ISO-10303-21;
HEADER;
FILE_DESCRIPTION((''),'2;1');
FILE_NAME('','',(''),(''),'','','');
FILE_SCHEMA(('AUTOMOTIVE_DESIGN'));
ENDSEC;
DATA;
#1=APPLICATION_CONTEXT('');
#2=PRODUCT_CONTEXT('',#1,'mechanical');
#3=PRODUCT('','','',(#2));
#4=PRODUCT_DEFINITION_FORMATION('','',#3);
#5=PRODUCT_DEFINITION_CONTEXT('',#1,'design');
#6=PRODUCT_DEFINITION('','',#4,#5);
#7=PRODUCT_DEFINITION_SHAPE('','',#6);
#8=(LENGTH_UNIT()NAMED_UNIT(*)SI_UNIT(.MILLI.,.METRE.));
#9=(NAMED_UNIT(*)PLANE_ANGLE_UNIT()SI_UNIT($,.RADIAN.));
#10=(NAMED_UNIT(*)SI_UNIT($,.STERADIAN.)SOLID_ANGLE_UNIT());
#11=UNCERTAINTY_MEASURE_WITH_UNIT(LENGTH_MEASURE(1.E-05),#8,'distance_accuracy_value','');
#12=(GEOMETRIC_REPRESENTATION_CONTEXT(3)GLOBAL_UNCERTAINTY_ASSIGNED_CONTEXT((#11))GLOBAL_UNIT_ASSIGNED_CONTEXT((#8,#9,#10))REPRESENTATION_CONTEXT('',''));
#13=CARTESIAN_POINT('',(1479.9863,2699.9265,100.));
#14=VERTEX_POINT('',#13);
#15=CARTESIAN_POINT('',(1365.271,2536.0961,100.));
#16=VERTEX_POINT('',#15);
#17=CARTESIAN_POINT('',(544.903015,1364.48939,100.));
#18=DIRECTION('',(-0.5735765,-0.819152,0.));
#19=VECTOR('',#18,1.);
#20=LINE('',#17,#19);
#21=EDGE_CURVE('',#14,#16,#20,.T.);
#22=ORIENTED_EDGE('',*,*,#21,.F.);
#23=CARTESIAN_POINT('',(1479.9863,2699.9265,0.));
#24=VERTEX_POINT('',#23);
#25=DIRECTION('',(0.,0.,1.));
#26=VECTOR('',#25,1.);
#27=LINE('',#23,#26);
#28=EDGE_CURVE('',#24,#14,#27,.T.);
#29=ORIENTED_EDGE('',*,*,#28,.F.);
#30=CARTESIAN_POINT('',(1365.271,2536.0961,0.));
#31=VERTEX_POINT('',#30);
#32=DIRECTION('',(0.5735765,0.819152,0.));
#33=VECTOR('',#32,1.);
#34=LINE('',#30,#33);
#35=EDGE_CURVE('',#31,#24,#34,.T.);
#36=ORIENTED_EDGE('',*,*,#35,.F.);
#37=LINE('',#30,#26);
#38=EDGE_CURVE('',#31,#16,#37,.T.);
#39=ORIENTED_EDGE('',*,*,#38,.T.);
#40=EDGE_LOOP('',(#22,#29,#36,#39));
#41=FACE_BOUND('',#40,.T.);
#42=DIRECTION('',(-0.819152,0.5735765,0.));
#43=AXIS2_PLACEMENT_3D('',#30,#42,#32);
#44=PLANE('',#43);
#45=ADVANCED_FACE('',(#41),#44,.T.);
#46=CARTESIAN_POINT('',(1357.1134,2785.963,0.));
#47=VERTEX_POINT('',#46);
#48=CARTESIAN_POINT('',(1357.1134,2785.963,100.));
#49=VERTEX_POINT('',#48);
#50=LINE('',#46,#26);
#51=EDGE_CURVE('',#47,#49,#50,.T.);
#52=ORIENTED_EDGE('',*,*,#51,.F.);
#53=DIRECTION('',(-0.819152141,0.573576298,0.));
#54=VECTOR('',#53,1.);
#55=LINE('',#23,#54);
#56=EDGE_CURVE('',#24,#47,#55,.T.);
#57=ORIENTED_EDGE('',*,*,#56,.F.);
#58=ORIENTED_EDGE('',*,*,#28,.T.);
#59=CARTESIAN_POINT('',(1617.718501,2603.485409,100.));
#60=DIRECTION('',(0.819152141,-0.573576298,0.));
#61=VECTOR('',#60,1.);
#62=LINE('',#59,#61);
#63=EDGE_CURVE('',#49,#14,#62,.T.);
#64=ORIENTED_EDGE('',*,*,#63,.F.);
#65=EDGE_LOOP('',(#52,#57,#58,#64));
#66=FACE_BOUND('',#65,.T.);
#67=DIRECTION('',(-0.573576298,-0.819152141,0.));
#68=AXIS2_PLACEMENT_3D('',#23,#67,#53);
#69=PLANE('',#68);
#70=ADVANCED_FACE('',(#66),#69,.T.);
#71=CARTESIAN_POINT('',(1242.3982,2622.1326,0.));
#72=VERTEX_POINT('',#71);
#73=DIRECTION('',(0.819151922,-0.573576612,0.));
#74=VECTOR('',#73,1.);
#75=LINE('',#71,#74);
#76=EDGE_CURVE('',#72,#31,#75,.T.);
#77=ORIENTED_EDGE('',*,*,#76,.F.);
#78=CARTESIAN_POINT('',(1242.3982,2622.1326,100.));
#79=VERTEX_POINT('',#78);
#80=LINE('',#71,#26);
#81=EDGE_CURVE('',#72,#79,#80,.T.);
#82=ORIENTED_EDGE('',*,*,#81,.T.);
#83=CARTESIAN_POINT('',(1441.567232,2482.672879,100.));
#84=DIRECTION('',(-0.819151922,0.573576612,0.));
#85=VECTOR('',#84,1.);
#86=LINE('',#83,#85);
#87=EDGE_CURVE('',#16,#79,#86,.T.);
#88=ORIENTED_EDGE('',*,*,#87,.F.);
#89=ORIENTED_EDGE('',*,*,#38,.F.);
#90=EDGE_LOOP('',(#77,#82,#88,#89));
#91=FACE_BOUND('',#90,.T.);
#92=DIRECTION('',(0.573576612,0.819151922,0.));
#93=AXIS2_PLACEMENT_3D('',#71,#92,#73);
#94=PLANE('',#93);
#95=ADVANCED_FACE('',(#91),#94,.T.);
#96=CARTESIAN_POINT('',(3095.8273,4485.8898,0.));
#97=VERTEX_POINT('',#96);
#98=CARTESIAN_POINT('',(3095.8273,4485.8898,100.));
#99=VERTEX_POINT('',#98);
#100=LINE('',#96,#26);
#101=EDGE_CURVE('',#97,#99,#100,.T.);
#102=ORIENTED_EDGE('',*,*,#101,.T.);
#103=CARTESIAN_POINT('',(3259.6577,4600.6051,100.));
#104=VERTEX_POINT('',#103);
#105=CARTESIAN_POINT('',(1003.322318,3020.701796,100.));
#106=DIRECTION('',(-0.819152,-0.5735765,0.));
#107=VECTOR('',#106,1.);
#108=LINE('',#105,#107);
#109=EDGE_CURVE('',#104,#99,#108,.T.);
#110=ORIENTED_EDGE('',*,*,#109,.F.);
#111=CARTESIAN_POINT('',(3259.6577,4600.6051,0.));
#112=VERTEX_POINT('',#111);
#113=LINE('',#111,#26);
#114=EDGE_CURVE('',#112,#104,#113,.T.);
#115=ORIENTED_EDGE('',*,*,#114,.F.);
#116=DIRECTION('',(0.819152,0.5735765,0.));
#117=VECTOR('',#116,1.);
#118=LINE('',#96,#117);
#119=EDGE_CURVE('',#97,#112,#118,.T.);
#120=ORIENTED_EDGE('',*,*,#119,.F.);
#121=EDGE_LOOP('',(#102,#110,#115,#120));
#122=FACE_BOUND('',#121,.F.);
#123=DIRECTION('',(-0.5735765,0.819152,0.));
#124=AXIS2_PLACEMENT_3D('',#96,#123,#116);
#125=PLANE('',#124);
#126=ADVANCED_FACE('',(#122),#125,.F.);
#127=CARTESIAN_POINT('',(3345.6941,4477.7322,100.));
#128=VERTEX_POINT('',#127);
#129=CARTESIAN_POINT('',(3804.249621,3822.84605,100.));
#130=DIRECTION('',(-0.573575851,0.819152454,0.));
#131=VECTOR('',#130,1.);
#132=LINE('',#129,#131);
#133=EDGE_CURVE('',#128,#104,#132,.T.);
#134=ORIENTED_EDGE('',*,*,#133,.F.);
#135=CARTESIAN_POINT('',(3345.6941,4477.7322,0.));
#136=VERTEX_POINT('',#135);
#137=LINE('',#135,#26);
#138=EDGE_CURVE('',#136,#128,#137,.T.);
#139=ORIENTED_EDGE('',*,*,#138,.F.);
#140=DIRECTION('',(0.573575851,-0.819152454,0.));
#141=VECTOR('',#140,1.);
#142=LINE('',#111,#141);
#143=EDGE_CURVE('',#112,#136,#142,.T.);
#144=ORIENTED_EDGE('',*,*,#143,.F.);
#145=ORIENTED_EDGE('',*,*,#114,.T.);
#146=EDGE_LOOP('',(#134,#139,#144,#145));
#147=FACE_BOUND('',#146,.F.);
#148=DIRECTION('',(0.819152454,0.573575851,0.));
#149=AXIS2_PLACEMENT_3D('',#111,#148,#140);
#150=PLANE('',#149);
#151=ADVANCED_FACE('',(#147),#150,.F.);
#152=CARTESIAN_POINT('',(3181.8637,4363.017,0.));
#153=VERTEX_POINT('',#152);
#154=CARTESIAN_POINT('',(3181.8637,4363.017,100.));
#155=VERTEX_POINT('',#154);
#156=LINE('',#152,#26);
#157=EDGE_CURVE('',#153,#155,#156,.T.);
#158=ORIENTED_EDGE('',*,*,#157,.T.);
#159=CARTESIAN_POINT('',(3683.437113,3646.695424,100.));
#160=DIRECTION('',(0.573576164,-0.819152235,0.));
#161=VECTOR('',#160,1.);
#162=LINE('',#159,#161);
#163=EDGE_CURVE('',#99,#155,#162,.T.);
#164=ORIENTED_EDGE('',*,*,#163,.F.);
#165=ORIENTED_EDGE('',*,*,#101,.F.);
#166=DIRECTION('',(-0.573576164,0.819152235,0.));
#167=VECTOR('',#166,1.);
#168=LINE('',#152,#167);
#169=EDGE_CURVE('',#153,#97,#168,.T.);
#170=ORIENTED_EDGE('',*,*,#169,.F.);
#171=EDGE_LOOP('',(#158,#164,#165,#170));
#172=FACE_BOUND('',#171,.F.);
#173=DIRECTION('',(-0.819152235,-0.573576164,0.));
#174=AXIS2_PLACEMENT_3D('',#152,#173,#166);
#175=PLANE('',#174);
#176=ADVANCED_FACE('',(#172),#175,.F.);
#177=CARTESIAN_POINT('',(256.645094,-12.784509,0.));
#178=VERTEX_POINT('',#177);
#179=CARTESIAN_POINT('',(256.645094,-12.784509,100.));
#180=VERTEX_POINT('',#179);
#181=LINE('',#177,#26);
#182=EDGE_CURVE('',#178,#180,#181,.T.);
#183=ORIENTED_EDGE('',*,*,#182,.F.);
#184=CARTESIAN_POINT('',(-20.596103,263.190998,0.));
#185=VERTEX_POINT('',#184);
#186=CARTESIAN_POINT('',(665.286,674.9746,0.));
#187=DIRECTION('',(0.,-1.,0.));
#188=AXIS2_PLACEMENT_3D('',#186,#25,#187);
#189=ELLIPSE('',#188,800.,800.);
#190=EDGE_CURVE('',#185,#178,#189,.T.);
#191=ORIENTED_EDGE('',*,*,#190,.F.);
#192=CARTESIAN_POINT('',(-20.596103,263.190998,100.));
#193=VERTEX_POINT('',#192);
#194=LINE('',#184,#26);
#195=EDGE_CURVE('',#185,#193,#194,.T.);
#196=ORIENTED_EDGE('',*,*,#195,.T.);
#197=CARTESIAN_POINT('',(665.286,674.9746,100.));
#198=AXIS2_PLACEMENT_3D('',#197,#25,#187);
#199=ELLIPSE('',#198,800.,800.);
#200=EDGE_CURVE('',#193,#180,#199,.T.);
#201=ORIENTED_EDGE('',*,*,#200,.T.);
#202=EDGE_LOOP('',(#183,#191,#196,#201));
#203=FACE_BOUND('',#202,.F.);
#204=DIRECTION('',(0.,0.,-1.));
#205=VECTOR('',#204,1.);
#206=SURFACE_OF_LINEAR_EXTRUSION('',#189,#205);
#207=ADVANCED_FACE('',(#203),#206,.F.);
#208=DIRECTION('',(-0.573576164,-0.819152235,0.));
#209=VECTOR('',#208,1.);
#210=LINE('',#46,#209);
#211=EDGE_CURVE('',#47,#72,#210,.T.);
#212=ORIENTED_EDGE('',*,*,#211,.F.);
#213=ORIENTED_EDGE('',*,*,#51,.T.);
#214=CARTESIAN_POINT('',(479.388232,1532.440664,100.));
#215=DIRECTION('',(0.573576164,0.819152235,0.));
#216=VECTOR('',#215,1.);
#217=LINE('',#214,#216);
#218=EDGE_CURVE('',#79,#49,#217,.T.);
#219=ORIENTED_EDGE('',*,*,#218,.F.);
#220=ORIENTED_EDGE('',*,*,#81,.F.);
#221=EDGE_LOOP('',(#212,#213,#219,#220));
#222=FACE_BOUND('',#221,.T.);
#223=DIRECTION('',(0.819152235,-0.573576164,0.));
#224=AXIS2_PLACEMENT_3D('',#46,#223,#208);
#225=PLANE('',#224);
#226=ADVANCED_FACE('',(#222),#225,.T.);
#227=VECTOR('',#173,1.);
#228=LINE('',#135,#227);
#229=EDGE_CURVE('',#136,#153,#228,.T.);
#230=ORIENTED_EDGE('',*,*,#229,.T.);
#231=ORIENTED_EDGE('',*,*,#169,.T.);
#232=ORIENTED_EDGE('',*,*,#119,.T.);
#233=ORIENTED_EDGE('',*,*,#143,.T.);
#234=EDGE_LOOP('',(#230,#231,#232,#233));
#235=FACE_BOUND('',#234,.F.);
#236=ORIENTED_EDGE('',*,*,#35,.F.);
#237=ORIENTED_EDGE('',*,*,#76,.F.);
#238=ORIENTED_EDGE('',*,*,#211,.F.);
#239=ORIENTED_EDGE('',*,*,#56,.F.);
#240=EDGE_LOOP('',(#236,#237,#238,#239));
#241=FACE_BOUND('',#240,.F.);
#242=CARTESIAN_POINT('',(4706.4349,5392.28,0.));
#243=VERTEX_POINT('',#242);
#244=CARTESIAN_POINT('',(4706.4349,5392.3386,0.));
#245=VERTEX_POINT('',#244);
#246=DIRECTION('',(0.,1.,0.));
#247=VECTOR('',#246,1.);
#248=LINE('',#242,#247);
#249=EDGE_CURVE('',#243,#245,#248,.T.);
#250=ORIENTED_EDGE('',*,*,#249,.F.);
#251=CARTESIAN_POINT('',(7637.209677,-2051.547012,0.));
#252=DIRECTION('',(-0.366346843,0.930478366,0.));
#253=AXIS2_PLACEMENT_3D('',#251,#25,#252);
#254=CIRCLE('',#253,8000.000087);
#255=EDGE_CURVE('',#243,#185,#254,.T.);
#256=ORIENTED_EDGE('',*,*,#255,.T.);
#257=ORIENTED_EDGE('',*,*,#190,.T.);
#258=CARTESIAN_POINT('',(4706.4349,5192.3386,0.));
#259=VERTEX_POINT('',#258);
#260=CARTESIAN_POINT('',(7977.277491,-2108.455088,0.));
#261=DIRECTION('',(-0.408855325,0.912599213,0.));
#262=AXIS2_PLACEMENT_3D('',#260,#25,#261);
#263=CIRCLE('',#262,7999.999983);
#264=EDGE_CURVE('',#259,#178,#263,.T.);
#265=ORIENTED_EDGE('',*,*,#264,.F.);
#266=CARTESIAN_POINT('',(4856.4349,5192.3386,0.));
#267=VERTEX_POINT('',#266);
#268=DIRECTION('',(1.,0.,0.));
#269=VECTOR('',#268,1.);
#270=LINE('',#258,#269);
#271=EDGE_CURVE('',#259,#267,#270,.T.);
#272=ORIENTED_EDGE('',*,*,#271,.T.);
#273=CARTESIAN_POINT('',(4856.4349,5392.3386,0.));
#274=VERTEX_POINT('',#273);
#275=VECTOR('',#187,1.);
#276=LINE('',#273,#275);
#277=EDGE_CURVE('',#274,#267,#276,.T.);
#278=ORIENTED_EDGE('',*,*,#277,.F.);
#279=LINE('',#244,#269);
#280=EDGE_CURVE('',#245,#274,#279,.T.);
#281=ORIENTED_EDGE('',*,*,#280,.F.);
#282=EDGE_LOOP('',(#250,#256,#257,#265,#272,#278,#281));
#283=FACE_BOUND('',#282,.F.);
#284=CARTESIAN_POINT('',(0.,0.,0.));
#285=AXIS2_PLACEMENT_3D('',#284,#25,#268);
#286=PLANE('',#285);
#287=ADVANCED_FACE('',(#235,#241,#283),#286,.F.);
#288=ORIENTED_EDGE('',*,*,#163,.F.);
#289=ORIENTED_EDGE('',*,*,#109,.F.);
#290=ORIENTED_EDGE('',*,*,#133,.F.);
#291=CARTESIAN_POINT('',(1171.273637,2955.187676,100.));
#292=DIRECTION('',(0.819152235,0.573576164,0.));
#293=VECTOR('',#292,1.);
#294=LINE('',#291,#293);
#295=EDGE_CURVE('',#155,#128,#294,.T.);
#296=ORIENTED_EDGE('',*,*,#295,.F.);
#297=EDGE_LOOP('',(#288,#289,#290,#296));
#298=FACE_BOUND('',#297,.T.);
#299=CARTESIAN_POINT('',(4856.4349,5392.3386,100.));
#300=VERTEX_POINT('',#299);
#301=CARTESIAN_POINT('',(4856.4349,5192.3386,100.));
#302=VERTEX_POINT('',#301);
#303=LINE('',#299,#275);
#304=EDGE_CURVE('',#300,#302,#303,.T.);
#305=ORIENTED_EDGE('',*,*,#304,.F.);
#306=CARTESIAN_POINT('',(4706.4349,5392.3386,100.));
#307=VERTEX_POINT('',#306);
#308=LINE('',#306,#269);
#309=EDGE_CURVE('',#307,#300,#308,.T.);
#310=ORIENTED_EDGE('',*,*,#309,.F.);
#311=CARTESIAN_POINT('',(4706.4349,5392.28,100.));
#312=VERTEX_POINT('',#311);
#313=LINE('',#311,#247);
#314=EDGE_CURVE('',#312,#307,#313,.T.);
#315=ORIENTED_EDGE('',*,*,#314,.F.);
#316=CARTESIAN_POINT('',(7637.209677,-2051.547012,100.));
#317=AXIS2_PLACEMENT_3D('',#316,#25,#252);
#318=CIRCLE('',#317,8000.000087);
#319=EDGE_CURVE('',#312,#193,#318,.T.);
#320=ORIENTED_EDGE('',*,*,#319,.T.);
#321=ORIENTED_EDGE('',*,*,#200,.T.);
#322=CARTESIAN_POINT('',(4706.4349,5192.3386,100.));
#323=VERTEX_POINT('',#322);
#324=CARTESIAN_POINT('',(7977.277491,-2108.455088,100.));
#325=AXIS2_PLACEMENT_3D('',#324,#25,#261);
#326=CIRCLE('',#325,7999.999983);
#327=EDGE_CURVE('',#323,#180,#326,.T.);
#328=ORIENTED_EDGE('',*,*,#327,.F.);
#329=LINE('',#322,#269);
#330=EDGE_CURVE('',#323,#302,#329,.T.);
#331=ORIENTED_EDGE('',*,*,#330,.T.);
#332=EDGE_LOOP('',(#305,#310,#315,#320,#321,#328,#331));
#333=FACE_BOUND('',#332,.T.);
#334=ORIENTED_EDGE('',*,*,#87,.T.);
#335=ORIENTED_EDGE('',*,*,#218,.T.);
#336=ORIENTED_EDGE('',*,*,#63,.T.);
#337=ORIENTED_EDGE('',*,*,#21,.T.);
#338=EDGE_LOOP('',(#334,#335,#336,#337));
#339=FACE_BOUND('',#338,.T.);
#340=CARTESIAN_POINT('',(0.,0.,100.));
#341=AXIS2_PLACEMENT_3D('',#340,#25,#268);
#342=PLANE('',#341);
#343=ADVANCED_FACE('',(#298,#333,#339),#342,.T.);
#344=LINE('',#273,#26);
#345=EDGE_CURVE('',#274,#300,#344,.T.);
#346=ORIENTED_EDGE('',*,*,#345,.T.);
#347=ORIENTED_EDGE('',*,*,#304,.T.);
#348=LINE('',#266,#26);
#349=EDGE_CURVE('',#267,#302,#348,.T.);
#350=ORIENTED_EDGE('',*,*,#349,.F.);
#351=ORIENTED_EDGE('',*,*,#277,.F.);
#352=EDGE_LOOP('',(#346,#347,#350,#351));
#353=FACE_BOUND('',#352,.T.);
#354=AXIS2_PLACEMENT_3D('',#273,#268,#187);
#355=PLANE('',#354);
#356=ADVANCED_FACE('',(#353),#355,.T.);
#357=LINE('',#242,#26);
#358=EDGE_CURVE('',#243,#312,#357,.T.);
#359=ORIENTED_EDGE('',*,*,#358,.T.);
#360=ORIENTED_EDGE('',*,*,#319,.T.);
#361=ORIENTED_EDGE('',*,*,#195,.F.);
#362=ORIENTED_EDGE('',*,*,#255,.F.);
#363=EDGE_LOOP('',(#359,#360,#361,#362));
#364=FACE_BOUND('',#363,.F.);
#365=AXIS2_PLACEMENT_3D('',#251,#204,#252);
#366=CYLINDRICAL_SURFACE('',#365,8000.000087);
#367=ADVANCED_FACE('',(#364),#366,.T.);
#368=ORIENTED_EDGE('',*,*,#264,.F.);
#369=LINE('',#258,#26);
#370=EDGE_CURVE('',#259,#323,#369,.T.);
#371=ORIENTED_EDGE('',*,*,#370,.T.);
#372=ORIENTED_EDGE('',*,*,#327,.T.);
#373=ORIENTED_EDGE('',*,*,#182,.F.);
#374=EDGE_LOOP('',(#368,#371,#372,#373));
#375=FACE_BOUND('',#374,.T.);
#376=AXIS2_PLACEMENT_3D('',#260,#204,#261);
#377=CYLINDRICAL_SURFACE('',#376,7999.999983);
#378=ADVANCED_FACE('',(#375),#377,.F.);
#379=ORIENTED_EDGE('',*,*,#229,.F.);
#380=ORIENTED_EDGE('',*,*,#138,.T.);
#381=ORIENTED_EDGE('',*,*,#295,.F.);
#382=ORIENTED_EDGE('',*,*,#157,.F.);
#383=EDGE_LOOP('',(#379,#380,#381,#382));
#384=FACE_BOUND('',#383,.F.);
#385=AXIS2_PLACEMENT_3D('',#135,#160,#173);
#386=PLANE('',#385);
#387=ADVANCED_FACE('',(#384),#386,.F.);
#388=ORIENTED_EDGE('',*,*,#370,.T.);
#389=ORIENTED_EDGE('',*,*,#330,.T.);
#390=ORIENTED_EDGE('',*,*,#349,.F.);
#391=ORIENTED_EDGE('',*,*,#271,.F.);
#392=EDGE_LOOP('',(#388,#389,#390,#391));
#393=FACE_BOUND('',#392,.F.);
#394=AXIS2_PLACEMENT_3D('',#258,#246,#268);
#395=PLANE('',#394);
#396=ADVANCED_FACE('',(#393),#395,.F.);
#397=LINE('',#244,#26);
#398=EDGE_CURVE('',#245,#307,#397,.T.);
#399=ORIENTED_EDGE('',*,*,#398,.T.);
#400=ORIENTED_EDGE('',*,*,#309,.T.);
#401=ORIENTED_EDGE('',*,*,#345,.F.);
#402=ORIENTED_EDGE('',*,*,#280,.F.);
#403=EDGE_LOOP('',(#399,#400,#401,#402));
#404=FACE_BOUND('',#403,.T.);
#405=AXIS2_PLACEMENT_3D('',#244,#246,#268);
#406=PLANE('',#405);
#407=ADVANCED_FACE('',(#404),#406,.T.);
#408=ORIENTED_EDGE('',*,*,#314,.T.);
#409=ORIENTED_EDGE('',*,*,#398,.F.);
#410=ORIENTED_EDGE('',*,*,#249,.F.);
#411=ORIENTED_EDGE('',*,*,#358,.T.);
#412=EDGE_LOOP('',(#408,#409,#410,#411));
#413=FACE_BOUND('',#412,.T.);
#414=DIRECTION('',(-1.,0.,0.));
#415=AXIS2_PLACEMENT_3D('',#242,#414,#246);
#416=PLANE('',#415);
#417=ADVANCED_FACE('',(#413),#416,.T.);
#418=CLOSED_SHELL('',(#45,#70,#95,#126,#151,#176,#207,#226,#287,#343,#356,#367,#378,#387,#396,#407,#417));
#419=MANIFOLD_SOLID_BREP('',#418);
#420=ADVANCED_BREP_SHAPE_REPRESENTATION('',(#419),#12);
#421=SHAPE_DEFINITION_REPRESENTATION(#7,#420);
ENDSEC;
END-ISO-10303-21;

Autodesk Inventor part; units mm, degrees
ref_plane "YZ Plane" through (0, 0, 0) normal (1, 0, 0) x (0, 1, 0)
ref_plane "XZ Plane" through (0, 0, 0) normal (0, 1, 0) x (-1, 0, 0)
ref_plane "XY Plane" through (0, 0, 0) normal (0, 0, 1) x (1, 0, 0)
sketch "Sketch1" plane through (0, 0, 0) normal (0, 0, 1) x (1, 0, 0)
  line L0 (4856.4349, 5392.3386) -> (4856.4349, 5192.3386)
  arc A0 (4706.4349, 5392.28) -> (-20.5961, 263.191) centre (7637.2096, -2051.5469) ccw
  ellipse E0 centre (665.286, 674.9746) end of major axis (665.286, -125.0254) minor radius 800 (-20.5961, 263.191) -> (256.6451, -12.7845) ccw
  arc A1 (4706.4349, 5192.3386) -> (256.6451, -12.7845) centre (7977.2775, -2108.4551) ccw
  line L1 (4706.4349, 5392.28) -> (4706.4349, 5392.3386)
  line L2 (4706.4349, 5392.3386) -> (4856.4349, 5392.3386)
  line L3 (4706.4349, 5192.3386) -> (4856.4349, 5192.3386)
  point P0 (0, 0)
extrude "Extrusion1" add sketch "Sketch1" along normal blind 100
sketch "Sketch3" plane through (0, 0, 100) normal (0, 0, 1) x (1, 0, 0)
  point P0 (0, 0)
sketch "Sketch4" plane through (0, 0, 0) normal (0, 0, -1) x (-1, 0, 0)
  arc A0 (20.5961, 263.191) -> (-4706.4349, 5392.28) centre (-7637.2096, -2051.5469) ccw projected
  arc A1 (-256.6451, -12.7845) -> (-4706.4349, 5192.3386) centre (-7977.2775, -2108.4551) ccw projected
  ellipse E0 centre (-665.286, 674.9746) end of major axis (-665.286, -125.0254) minor radius 800 (-256.6451, -12.7845) -> (20.5961, 263.191) ccw projected
  line L0 (-3345.6941, 4477.7322) -> (-3181.8637, 4363.017)
  line L1 (-3181.8637, 4363.017) -> (-3095.8273, 4485.8898)
  line L2 (-3095.8273, 4485.8898) -> (-3259.6577, 4600.6051)
  line L3 (-3259.6577, 4600.6051) -> (-3345.6941, 4477.7322)
  line L4 (-3345.6941, 4477.7322) -> (-3095.8273, 4485.8898) construction
  line L5 (-3181.8637, 4363.017) -> (-3259.6577, 4600.6051) construction
  line L6 (-3345.6941, 4477.7322) -> (-3145.6941, 4477.7322) construction
  line L7 (-1357.1134, 2785.963) -> (-1242.3982, 2622.1326)
  line L8 (-1242.3982, 2622.1326) -> (-1365.271, 2536.0961)
  line L9 (-1365.271, 2536.0961) -> (-1479.9863, 2699.9265)
  line L10 (-1479.9863, 2699.9265) -> (-1357.1134, 2785.963)
  line L11 (-1357.1134, 2785.963) -> (-1365.271, 2536.0961) construction
  line L12 (-1242.3982, 2622.1326) -> (-1479.9863, 2699.9265) construction
  line L13 (-1357.1134, 2785.963) -> (-1157.1134, 2785.963) construction
  point P0 (0, 0)
  point P1 (-256.6451, -12.7845)
  point P2 (20.5961, 263.191)
  point P3 (-3220.7607, 4481.811)
  point P4 (-1361.1922, 2661.0296)
  dimension "d2" = 200
  dimension "d3" = 35
  dimension "d4" = 150
  dimension "d5" = 200
  dimension "d6" = 55
  dimension "d7" = 150
extrude "Extrusion2" cut sketch "Sketch4" against normal through all
properties part number "curve_beam_01" material "Wood (Maple)"
